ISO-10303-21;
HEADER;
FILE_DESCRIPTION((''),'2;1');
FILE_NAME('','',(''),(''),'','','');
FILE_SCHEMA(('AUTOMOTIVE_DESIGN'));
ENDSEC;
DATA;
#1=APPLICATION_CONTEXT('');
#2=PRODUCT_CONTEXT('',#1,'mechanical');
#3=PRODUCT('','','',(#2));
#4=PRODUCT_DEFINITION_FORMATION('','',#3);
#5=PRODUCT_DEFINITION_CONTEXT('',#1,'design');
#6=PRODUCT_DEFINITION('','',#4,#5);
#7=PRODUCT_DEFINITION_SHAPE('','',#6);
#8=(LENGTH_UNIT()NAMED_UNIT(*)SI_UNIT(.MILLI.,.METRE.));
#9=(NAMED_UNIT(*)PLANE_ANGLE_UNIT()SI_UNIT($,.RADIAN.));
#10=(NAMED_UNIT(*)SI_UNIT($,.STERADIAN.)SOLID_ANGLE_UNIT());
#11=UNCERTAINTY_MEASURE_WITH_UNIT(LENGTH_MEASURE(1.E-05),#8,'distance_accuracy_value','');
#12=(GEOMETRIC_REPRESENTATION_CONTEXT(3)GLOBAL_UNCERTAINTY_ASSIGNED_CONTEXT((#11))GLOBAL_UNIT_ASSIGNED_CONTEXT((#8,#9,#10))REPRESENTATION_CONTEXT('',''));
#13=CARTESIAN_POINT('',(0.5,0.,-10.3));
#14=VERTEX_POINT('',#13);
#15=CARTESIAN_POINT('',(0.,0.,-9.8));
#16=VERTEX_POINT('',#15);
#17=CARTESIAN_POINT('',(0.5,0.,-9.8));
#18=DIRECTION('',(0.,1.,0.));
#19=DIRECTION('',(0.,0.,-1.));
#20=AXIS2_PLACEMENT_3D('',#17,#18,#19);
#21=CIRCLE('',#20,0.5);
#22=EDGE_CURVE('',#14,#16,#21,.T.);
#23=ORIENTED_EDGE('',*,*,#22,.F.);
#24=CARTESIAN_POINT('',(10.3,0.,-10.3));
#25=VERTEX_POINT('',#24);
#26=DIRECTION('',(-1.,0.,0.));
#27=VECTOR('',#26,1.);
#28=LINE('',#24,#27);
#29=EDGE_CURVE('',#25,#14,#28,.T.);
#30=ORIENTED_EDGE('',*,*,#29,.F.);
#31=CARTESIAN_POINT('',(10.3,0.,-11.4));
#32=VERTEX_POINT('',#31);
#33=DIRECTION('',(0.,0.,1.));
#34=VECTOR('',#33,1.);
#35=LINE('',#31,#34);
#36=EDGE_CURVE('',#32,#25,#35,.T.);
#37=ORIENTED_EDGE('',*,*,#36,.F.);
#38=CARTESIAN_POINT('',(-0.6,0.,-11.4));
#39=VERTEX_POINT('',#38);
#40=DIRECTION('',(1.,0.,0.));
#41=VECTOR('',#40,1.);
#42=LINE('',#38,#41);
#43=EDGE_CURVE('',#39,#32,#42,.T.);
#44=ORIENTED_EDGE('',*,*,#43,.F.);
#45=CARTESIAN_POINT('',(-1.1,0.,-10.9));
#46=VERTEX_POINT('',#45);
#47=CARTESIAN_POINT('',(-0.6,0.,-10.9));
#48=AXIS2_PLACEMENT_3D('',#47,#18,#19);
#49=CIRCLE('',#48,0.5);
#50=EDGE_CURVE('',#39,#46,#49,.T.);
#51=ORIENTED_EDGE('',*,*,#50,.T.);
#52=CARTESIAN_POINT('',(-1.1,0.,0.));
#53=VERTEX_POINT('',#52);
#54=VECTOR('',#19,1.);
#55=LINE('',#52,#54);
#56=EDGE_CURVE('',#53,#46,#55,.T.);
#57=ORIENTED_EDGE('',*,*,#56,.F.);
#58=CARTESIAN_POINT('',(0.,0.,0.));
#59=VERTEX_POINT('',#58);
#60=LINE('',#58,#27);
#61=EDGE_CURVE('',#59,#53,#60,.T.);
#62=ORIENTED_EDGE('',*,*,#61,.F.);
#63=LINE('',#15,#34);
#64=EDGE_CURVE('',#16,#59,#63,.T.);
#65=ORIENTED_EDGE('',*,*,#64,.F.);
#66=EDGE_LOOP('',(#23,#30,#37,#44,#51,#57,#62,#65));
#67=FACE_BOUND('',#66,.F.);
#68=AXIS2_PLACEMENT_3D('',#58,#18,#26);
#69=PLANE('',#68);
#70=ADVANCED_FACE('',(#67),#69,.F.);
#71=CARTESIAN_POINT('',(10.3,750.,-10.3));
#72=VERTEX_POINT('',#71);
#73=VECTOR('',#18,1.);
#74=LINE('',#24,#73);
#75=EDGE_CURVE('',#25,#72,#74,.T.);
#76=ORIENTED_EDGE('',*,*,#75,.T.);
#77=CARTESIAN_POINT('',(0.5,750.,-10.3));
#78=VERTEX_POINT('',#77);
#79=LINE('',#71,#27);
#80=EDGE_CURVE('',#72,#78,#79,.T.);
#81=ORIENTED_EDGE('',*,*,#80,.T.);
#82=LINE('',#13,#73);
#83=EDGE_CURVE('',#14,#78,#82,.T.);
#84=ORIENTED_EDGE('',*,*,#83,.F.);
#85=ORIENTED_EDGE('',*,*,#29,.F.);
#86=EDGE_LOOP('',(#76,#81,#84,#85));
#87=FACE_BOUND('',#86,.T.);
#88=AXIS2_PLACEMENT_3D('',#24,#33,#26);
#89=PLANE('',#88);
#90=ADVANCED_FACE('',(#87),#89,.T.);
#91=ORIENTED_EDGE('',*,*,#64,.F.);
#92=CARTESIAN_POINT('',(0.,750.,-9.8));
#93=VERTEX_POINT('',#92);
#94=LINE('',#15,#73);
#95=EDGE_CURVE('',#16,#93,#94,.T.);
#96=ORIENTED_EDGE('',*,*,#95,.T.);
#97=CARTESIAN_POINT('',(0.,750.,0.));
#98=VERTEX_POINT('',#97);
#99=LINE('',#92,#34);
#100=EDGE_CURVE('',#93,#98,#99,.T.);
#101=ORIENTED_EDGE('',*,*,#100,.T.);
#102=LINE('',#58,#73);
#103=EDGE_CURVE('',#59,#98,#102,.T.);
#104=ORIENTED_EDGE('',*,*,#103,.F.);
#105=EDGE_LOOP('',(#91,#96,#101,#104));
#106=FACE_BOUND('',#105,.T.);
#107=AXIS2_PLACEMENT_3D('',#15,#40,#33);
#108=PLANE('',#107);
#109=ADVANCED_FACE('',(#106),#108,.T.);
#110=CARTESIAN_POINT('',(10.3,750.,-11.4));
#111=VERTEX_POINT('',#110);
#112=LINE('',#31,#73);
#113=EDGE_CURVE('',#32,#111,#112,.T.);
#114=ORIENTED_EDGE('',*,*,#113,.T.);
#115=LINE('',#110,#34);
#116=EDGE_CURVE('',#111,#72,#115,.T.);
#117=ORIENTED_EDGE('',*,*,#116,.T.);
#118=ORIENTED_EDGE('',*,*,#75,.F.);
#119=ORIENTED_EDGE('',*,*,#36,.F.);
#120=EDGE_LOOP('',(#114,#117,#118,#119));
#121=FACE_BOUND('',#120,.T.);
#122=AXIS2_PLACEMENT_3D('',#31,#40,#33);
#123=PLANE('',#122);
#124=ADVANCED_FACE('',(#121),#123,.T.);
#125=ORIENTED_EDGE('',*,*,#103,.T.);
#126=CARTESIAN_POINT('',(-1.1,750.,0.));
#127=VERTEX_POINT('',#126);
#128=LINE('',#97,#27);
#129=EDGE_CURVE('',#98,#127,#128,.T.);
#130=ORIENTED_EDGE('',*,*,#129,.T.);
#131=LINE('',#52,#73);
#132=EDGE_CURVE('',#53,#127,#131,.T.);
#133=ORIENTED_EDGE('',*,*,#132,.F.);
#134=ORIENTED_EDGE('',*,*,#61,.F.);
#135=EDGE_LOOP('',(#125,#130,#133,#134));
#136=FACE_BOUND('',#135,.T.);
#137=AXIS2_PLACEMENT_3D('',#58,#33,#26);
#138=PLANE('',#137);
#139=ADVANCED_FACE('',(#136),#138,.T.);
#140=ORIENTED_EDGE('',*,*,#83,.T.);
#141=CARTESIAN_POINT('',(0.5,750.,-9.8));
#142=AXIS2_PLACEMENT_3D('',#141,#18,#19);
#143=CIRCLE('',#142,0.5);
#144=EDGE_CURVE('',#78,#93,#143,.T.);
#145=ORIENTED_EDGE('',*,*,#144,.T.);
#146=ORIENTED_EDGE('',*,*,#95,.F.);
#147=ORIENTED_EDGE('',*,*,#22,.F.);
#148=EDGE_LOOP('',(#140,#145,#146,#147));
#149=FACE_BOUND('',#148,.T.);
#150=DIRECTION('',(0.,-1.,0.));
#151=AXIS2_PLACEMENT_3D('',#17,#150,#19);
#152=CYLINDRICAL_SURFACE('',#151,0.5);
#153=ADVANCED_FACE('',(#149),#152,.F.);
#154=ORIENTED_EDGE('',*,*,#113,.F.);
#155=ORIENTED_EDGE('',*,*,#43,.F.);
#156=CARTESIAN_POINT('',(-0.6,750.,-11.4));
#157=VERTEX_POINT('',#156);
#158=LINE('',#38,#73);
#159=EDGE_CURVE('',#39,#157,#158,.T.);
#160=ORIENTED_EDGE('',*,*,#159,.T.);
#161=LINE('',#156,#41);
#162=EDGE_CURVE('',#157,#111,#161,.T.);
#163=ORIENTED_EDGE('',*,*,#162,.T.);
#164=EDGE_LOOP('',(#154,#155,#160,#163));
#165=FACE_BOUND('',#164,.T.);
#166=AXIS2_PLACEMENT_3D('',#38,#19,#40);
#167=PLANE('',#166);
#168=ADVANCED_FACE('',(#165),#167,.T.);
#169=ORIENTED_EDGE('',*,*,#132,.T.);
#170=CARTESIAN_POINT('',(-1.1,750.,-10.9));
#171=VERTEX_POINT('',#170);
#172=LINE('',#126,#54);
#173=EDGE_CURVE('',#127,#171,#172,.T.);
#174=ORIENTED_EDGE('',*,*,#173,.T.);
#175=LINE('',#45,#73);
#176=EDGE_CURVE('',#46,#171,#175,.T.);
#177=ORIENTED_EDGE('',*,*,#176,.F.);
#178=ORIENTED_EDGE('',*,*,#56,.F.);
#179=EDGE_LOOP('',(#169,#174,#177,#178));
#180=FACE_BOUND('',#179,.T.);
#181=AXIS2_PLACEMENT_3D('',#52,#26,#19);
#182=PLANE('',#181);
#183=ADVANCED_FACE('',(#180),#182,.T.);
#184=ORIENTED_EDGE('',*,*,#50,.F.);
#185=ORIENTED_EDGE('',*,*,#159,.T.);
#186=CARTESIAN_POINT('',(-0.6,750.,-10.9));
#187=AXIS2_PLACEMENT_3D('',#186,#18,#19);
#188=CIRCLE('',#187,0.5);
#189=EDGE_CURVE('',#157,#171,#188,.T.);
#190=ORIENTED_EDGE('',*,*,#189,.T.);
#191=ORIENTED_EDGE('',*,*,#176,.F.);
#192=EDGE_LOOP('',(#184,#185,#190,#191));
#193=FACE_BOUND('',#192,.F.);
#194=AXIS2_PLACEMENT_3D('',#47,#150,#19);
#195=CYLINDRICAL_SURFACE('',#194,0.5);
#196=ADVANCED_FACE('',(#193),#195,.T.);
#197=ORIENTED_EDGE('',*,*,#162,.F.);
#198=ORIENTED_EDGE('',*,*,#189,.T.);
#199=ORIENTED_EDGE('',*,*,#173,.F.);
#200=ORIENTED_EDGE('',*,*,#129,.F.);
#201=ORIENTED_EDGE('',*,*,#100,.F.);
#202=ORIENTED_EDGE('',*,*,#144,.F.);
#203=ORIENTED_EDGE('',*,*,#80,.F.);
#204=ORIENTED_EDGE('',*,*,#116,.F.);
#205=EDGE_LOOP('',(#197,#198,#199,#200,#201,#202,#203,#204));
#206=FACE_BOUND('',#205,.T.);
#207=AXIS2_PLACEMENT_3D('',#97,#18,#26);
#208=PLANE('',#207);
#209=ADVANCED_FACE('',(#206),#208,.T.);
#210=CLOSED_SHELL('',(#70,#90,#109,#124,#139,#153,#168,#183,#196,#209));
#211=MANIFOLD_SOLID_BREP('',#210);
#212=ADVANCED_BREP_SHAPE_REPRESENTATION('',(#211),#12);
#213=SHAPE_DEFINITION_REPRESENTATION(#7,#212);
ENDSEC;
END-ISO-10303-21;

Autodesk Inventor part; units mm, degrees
ref_plane "YZ Plane" through (0, 0, 0) normal (1, 0, 0) x (0, 1, 0)
ref_plane "XZ Plane" through (0, 0, 0) normal (0, 1, 0) x (-1, 0, 0)
ref_plane "XY Plane" through (0, 0, 0) normal (0, 0, 1) x (1, 0, 0)
sketch "Boceto1" plane through (0, 0, 0) normal (0, 1, 0) x (-1, 0, 0)
  line L0 (0, 0) -> (1.1, 0)
  line L1 (1.1, 0) -> (1.1, -10.9)
  line L2 (0.6, -11.4) -> (-10.3, -11.4)
  line L3 (-10.3, -11.4) -> (-10.3, -10.3)
  line L4 (-10.3, -10.3) -> (-0.5, -10.3)
  line L5 (0, -9.8) -> (0, 0)
  arc A0 (-0.5, -10.3) -> (0, -9.8) centre (-0.5, -9.8) ccw
  arc A1 (0.6, -11.4) -> (1.1, -10.9) centre (0.6, -10.9) ccw
  point P0 (1.1, -11.4)
  dimension "d0" = 1.1
  dimension "d1" = 11.4
  dimension "d2" = 11.4
  dimension "d3" = 1.1
  dimension "d4" = 0.5
extrude "Extrusión1" add sketch "Boceto1" along normal blind 750
ref_plane "Plano de trabajo1" through (0, 375, 0) normal (0, -1, 0) x (1, 0, 0)
properties part number "Perfil"
